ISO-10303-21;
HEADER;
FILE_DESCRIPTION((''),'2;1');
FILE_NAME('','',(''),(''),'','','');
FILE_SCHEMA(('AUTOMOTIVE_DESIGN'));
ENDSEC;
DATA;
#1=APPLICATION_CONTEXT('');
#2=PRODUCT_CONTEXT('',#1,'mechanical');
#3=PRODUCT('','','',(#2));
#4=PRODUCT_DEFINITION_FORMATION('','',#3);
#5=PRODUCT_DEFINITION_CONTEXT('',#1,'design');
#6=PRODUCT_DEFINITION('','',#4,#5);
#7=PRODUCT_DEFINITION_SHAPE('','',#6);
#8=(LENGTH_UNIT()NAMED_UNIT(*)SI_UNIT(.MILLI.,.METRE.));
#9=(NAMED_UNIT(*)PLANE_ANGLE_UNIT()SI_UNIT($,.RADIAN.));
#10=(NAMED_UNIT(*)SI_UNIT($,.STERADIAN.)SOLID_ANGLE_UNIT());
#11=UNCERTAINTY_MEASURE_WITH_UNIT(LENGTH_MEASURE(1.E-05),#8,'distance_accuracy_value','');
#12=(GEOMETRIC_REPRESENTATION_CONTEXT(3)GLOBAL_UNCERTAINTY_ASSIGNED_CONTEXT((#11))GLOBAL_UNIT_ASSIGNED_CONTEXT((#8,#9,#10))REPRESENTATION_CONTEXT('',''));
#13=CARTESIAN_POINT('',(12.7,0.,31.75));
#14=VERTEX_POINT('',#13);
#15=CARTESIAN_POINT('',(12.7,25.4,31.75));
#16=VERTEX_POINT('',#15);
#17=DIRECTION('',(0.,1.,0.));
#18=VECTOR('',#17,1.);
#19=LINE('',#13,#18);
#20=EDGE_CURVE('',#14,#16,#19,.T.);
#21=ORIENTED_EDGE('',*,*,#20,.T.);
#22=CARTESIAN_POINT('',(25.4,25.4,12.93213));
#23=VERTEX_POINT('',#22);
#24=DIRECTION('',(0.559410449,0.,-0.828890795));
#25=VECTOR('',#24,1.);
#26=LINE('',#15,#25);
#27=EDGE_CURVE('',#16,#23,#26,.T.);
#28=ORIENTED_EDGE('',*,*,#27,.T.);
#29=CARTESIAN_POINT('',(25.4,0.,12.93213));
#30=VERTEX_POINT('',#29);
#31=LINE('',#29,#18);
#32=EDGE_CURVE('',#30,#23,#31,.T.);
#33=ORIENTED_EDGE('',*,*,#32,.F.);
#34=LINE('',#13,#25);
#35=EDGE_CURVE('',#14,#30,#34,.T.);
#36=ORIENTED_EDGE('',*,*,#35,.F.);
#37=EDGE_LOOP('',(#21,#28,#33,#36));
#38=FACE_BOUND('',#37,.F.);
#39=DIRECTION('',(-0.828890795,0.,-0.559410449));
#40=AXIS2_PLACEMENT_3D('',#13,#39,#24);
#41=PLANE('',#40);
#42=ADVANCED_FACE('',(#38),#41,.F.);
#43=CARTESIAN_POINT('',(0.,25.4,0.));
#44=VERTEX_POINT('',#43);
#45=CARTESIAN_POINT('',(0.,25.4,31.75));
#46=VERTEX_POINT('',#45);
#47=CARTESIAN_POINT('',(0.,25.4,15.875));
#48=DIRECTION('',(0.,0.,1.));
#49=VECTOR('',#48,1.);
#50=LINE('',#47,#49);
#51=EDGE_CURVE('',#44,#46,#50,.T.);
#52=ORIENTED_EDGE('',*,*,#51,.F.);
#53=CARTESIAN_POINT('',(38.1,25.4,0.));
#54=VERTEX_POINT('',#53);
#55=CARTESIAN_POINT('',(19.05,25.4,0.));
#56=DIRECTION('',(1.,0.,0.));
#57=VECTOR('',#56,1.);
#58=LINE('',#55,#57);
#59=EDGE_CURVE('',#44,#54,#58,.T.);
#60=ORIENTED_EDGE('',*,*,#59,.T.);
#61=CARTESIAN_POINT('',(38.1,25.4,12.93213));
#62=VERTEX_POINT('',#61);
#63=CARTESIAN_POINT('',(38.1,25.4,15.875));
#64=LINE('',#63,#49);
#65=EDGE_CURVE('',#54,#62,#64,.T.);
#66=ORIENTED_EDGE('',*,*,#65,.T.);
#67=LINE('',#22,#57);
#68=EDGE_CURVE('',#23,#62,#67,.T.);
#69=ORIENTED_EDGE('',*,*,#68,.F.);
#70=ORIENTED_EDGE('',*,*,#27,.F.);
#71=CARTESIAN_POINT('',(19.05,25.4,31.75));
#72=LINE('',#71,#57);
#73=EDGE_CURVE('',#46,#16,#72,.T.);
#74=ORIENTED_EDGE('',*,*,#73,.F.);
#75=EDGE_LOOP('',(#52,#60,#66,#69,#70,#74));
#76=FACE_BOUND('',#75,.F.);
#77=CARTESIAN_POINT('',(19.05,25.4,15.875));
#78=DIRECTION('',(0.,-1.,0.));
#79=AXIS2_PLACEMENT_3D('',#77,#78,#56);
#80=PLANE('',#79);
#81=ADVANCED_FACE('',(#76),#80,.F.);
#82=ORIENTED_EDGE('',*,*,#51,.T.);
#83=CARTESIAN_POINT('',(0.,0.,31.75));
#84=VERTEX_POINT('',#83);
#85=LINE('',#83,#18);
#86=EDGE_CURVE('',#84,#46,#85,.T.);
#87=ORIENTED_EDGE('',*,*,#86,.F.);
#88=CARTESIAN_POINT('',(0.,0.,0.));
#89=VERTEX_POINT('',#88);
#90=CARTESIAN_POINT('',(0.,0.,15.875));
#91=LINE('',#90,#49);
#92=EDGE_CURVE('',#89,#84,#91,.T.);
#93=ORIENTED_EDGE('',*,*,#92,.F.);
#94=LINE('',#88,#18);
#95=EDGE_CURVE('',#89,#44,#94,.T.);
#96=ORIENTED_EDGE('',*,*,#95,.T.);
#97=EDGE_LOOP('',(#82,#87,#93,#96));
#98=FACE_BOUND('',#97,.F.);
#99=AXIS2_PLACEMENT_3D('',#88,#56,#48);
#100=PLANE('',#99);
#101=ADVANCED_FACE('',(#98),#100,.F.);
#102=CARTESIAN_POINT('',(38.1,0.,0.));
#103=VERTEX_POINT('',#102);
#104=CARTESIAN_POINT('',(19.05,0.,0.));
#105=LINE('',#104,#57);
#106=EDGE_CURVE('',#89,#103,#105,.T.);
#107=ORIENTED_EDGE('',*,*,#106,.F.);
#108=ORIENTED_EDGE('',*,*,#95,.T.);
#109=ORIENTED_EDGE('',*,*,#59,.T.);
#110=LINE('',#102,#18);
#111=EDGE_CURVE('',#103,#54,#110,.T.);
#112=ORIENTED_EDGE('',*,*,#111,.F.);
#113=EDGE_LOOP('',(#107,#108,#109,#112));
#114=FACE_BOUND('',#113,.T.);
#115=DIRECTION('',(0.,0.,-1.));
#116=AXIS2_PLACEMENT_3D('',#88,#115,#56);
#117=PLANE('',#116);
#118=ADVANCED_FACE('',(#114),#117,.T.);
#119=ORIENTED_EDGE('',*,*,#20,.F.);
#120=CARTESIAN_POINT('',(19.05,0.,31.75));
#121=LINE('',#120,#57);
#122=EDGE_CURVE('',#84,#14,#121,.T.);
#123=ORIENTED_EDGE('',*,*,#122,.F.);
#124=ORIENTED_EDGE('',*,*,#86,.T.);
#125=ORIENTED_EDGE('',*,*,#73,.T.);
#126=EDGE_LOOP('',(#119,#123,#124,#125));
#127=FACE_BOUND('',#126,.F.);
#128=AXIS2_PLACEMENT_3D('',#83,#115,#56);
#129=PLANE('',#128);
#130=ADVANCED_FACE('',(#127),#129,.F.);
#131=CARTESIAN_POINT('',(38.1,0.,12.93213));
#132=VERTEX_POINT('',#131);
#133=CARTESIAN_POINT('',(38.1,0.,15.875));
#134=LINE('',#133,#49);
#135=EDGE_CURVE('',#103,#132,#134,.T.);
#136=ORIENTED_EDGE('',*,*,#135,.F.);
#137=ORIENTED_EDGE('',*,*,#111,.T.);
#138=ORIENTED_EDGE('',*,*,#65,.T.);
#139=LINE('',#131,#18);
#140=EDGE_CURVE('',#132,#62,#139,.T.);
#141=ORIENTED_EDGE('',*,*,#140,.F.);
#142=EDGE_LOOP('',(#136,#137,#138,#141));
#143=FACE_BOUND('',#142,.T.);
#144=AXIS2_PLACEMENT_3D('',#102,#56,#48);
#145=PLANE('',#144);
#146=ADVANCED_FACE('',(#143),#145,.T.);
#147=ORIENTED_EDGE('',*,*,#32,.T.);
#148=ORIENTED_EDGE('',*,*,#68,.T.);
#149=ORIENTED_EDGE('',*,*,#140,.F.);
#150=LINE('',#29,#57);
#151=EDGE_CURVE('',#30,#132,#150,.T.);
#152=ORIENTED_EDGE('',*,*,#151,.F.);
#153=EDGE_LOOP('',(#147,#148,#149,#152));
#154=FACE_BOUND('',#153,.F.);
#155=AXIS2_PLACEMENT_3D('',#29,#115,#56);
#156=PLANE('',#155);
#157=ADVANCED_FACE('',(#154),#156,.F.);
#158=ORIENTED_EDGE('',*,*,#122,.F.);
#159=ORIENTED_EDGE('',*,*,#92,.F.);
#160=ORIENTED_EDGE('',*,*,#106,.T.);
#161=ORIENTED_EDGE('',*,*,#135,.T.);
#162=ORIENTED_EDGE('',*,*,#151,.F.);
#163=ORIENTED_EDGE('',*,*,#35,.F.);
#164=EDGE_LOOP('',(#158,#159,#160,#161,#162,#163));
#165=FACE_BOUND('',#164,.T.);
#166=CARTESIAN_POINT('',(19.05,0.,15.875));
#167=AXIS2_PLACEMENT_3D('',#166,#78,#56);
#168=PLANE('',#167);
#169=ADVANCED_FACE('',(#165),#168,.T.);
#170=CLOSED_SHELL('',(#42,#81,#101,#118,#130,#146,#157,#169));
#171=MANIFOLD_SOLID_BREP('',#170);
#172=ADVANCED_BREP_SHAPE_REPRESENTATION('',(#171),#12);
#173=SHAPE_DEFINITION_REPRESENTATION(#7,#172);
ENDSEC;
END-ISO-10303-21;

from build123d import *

# Parameters (mm, degrees)
F0_W     = 38.1
F0_H     = 31.75
F1_DEPTH = 25.4
F3_DEPTH = 25.4


with BuildPart() as f1:
    # F0 (on Front) → F1 (new body)
    with BuildSketch(Plane.XZ):
        with Locations((19.05, 15.875)):
            Rectangle(F0_W, F0_H)
    extrude(amount=-F1_DEPTH)

    # F2 (on face) → F3 (cut)
    with BuildSketch(Plane.XZ):
        Polygon((25.4, 12.93213), (38.1, 12.93213), (38.1, 31.75), (12.7, 31.75), align=None)
    extrude(amount=-F3_DEPTH, mode=Mode.SUBTRACT)


solid = f1.part
